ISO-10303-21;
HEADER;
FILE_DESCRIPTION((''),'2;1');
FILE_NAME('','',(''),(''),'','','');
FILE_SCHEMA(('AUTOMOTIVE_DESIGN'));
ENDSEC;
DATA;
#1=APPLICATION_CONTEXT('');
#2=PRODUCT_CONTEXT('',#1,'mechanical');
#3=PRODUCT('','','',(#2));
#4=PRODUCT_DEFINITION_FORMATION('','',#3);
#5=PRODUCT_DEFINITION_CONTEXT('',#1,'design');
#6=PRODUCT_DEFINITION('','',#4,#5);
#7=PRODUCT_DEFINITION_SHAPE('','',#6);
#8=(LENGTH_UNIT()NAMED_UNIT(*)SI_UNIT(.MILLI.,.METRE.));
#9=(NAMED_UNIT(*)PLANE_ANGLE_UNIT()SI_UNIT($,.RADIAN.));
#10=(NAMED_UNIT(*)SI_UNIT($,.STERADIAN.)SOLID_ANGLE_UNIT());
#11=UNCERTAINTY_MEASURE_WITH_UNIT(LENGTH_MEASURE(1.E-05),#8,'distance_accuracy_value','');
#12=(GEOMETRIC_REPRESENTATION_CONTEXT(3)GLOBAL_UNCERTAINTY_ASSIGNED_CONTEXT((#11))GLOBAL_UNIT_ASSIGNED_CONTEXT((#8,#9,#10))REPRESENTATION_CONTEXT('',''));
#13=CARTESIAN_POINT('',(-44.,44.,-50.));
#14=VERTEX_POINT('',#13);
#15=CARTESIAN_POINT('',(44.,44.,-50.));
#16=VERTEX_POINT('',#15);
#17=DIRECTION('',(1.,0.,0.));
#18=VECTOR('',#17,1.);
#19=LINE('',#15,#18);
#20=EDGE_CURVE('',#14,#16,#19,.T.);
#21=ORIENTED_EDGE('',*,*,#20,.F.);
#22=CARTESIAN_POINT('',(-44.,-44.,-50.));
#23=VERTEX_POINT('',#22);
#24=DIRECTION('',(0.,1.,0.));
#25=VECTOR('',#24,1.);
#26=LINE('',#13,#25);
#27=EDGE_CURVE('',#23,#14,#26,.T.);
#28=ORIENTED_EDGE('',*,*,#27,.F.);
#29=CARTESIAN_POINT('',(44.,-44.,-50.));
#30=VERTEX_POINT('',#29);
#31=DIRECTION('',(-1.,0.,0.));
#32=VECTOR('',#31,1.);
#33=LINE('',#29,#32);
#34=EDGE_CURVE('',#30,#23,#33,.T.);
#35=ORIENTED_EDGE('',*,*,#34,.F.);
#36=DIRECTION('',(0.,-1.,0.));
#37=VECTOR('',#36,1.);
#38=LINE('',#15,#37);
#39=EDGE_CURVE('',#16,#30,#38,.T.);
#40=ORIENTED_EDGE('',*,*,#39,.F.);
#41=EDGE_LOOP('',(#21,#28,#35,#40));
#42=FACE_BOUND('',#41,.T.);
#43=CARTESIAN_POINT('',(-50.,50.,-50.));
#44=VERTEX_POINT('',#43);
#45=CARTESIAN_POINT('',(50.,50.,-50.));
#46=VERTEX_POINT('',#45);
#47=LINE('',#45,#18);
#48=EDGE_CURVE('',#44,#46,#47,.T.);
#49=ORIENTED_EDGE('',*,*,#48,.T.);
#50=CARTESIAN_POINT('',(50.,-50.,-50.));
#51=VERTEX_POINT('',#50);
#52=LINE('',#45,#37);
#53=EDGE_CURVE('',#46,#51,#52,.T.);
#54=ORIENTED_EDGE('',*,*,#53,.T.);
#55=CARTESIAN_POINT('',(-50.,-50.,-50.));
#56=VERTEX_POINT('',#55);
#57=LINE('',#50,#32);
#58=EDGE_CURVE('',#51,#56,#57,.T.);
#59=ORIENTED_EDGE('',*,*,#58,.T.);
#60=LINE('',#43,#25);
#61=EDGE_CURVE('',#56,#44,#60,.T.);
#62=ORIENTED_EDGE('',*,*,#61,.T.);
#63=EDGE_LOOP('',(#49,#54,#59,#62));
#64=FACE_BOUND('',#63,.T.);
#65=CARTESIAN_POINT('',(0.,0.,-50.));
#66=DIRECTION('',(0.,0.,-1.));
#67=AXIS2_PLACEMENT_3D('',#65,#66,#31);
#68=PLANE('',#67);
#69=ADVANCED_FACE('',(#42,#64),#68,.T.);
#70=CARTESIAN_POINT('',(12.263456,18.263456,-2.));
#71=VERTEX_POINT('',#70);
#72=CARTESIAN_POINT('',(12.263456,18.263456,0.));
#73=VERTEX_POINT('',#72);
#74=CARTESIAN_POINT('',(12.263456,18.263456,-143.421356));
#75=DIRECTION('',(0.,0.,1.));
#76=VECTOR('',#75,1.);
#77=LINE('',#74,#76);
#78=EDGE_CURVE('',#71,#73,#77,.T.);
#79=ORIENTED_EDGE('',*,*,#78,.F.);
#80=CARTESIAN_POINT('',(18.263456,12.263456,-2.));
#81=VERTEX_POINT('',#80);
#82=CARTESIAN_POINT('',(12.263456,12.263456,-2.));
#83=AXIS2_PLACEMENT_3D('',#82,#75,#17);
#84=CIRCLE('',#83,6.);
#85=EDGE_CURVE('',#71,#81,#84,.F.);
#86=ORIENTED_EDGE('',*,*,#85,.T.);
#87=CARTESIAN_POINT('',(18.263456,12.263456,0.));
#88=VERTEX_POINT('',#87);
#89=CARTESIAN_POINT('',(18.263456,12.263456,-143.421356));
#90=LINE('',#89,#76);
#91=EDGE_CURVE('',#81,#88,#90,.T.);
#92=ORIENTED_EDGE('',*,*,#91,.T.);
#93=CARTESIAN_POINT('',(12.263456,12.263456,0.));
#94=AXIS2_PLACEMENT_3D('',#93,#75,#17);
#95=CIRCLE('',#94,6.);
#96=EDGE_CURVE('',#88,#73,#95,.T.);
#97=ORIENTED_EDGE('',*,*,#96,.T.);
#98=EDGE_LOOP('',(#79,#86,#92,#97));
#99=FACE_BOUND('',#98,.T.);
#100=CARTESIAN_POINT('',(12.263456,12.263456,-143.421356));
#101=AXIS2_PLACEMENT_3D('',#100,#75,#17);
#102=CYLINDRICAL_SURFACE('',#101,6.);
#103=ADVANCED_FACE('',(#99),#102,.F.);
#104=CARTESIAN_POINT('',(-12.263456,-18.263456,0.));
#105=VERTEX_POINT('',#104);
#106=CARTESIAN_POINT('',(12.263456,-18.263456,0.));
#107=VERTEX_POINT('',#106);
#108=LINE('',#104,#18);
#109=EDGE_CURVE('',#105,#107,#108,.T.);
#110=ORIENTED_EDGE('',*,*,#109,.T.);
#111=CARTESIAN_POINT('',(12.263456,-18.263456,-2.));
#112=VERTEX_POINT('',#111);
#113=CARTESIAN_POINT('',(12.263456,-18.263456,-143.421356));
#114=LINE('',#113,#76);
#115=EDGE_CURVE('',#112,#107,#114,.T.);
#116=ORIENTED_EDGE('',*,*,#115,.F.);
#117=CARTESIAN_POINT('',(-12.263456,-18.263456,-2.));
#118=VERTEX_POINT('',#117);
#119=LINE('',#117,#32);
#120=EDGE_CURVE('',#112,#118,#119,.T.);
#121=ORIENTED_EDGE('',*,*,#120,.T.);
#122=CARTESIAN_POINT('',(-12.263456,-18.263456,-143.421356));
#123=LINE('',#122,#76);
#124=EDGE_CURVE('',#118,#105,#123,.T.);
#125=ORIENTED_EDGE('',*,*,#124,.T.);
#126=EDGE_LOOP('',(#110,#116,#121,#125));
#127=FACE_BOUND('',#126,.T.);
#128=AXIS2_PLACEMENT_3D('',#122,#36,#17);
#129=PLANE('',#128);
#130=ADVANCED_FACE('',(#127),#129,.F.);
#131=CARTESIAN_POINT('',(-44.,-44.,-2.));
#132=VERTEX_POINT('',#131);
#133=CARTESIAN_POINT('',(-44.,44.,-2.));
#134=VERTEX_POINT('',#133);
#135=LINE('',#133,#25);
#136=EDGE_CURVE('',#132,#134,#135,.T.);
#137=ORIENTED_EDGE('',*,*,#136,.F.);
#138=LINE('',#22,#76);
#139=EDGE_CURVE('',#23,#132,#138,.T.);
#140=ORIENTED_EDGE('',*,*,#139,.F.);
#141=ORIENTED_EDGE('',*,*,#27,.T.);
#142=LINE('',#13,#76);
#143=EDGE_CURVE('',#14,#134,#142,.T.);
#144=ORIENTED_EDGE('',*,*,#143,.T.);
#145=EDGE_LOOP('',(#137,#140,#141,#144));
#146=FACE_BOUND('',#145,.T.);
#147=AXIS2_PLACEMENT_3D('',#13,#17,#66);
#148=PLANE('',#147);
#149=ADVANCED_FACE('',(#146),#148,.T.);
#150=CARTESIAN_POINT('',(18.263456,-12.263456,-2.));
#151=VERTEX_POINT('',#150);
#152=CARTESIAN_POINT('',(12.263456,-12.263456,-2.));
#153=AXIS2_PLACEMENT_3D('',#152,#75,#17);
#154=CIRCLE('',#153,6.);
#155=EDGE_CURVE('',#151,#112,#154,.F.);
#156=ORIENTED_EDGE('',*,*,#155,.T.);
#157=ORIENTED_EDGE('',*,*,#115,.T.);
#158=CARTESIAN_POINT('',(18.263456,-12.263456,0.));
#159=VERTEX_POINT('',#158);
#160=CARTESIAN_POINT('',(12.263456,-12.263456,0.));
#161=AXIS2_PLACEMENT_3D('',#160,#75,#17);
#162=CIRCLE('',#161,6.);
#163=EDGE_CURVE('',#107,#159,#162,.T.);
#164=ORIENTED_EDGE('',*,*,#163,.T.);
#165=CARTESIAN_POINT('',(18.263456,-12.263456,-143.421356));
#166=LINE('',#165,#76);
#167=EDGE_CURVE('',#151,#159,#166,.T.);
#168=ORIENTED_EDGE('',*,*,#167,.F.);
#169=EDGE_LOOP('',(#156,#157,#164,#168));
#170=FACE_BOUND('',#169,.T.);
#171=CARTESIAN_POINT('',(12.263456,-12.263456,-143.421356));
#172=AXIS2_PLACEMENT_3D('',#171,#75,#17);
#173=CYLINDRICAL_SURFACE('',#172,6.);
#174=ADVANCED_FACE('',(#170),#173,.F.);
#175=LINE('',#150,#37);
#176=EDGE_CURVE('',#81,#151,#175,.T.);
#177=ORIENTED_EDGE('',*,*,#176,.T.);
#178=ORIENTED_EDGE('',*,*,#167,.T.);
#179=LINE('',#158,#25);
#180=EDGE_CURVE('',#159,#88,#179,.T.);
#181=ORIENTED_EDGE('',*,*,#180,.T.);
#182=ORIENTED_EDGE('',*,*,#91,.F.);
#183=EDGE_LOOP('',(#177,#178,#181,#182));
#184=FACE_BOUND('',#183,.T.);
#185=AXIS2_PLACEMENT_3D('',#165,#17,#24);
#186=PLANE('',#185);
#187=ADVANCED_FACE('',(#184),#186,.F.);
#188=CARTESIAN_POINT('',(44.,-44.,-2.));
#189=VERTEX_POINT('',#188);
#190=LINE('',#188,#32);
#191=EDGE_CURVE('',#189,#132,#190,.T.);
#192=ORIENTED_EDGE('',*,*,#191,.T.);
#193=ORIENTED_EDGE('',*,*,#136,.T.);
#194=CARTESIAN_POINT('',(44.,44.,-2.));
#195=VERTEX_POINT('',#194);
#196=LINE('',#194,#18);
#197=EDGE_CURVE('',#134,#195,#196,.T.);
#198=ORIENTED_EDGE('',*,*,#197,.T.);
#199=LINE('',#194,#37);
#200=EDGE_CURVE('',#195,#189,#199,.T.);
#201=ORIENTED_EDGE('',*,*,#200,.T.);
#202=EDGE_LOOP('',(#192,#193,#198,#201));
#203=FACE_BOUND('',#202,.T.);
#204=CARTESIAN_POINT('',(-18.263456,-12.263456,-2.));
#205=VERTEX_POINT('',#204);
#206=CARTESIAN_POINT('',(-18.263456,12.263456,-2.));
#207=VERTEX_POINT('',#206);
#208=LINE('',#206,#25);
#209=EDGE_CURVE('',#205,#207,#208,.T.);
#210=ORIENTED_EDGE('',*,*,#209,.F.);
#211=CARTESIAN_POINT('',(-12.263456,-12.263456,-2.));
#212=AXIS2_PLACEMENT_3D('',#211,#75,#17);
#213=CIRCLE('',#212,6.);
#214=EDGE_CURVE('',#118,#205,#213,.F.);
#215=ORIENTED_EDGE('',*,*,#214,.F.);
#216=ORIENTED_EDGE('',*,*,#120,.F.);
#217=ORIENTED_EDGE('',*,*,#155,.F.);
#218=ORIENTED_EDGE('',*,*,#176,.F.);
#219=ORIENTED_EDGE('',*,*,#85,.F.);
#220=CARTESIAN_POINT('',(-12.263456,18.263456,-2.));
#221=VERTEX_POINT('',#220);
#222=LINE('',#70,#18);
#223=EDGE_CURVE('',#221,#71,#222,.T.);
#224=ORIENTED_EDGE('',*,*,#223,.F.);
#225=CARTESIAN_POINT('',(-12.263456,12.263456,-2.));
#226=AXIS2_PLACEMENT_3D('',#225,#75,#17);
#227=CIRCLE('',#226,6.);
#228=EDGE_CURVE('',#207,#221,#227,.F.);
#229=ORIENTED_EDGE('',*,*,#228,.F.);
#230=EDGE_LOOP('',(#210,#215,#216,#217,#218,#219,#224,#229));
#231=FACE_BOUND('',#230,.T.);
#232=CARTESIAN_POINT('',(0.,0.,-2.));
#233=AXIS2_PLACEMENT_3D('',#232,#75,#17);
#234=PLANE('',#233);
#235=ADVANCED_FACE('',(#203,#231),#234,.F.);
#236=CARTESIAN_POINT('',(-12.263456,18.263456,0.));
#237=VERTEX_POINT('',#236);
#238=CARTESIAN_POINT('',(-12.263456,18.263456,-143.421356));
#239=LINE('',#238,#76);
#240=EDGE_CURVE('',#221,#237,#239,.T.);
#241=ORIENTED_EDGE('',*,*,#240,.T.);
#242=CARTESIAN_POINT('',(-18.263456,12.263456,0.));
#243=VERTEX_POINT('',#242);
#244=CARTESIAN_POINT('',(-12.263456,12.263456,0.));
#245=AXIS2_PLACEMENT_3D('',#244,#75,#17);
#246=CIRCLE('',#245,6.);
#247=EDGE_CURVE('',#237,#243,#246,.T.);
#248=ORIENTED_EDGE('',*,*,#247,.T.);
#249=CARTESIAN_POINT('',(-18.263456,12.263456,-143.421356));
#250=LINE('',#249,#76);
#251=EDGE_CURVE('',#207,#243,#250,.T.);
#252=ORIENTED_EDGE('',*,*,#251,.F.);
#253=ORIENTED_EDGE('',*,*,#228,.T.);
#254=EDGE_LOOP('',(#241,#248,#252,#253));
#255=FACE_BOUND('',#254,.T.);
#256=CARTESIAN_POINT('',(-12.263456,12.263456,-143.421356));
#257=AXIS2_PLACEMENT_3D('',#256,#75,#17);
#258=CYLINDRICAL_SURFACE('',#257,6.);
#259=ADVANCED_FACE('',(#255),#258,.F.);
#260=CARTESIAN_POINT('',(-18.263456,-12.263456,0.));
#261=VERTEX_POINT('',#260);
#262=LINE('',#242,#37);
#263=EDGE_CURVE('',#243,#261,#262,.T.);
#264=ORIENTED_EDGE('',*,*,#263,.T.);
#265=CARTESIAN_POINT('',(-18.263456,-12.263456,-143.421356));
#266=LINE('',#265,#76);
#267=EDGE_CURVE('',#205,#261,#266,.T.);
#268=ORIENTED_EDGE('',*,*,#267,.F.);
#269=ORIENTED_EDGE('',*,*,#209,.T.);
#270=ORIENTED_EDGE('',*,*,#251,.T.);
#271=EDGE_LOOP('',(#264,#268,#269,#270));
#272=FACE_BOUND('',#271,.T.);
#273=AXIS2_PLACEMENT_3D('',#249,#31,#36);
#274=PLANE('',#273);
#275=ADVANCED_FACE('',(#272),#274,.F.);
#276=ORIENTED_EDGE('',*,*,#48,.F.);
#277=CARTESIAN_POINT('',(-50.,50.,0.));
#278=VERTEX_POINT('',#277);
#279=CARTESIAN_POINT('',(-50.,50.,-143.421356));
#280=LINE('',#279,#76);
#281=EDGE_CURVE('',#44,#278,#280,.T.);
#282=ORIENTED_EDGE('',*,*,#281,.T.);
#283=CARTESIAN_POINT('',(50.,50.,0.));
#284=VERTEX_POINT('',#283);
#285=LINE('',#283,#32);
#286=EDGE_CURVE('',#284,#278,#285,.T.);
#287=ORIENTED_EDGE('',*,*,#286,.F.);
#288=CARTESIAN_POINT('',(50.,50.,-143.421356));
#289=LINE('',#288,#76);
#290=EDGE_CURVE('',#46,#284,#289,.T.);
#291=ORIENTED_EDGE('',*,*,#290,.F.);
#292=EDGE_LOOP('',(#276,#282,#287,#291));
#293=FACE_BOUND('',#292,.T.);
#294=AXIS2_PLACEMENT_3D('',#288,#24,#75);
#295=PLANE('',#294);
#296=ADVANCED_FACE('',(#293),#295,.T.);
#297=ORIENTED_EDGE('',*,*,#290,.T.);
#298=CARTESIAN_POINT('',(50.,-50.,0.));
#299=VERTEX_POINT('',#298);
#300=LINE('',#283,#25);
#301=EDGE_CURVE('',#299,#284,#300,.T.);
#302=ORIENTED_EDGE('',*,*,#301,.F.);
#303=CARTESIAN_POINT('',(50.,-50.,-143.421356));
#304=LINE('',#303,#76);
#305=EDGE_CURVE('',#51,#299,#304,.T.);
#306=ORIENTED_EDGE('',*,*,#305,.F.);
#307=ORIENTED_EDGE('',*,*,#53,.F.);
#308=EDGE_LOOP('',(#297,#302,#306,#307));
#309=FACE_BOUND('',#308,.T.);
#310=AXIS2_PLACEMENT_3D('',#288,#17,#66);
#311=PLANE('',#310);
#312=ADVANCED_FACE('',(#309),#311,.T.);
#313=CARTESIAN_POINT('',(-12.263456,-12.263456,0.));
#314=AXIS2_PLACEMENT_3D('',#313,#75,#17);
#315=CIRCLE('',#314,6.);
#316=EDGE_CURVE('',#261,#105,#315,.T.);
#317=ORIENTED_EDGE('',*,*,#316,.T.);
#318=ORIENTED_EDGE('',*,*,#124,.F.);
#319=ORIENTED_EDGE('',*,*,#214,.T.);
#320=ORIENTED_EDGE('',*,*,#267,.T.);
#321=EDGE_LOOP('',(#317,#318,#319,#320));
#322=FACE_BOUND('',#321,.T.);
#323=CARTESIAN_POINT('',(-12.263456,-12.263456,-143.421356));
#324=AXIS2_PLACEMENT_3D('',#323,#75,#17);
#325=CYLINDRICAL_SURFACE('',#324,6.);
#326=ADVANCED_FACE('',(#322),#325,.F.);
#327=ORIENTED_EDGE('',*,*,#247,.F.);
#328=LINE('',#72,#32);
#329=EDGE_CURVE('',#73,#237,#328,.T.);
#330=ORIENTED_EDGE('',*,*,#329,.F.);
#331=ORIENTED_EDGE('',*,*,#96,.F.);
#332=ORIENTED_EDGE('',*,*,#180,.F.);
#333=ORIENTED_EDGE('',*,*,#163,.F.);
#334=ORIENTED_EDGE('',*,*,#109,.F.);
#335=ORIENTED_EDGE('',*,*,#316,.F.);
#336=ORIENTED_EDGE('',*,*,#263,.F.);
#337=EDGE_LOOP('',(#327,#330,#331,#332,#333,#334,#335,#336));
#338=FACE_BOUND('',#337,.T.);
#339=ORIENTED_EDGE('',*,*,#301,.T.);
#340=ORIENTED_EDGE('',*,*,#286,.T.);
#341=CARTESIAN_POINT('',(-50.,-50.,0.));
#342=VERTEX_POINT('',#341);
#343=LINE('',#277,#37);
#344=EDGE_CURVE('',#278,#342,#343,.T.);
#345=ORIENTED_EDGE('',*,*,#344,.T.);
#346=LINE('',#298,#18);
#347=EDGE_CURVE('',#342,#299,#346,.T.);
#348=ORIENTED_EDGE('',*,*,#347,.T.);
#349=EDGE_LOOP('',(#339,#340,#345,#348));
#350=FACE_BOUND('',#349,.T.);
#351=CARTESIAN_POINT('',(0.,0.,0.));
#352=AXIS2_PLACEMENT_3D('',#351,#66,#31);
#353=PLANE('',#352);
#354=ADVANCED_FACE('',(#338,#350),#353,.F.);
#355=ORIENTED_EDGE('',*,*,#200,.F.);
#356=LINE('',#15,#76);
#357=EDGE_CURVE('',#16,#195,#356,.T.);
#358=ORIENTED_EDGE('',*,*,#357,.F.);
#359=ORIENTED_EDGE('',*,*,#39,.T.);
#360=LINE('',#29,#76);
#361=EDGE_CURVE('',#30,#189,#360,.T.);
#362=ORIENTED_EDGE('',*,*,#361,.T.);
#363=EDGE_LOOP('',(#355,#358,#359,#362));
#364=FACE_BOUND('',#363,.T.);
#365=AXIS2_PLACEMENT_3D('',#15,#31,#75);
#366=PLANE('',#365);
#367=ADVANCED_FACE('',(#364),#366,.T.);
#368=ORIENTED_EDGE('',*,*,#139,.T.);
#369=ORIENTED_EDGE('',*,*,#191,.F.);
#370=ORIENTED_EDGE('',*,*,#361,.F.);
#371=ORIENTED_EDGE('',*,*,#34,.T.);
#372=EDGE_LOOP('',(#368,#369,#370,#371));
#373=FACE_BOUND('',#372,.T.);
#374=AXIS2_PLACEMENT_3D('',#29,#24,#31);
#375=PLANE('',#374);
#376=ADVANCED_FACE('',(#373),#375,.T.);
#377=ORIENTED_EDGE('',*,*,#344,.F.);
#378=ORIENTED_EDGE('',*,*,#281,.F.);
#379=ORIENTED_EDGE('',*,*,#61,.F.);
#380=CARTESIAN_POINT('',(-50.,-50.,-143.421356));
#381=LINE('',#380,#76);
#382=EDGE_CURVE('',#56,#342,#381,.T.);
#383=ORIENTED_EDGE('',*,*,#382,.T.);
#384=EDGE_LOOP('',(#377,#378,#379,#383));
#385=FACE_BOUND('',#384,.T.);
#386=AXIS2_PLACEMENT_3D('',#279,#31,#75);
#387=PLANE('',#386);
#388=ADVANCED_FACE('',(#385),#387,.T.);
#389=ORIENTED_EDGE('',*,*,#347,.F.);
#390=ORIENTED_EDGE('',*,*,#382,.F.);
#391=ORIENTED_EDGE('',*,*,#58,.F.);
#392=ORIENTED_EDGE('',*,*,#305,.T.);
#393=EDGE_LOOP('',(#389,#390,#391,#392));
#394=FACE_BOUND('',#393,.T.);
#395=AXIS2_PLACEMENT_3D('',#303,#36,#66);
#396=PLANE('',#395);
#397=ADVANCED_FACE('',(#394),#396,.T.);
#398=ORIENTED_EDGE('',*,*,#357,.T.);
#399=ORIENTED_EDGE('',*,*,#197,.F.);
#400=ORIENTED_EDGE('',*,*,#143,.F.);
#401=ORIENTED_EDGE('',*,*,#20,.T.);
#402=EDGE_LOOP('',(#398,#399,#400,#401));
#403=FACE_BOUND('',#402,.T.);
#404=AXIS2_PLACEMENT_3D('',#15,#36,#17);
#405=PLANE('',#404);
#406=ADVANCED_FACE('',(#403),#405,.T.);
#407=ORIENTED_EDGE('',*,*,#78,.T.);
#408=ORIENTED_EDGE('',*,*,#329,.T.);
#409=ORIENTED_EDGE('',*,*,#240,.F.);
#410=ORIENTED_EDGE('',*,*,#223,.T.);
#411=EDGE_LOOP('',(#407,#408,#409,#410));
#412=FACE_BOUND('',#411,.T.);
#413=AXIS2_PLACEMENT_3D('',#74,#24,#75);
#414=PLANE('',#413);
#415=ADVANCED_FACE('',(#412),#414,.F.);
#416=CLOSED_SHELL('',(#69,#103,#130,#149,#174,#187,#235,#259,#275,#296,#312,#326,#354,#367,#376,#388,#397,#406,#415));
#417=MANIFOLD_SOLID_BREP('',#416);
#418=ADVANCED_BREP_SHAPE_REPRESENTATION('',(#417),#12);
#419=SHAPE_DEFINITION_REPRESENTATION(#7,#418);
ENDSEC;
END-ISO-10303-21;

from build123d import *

# Parameters (mm, degrees)
SKETCH1_W           = 100
SKETCH1_H           = 100
BOSS_EXTRUDE1_DEPTH = 2
SKETCH2_W           = 100
SKETCH2_H           = 100
SKETCH2_W_2         = 88
SKETCH2_H_2         = 88
BOSS_EXTRUDE2_DEPTH = 48


with BuildPart() as part:
    # Sketch1 → Boss-Extrude1 (new body)
    with BuildSketch(Plane.XY):
        Rectangle(SKETCH1_W, SKETCH1_H)
        with BuildLine():
            Line((12.263455967, 18.263455967), (-12.263455967, 18.263455967))
            ThreePointArc((-12.263455967, 18.263455967), (-16.506096654, 16.506096654), (-18.263455967, 12.263455967))
            Line((-18.263455967, 12.263455967), (-18.263455967, -12.263455967))
            ThreePointArc((-18.263455967, -12.263455967), (-16.506096654, -16.506096654), (-12.263455967, -18.263455967))
            Line((-12.263455967, -18.263455967), (12.263455967, -18.263455967))
            ThreePointArc((12.263455967, -18.263455967), (16.506096654, -16.506096654), (18.263455967, -12.263455967))
            Line((18.263455967, -12.263455967), (18.263455967, 12.263455967))
            ThreePointArc((18.263455967, 12.263455967), (16.506096654, 16.506096654), (12.263455967, 18.263455967))
        make_face(mode=Mode.SUBTRACT)
    extrude(amount=-BOSS_EXTRUDE1_DEPTH)

    # Sketch2 → Boss-Extrude2 (add)
    with BuildSketch(Plane(origin=(0, 0, -2), x_dir=(-1, 0, 0), z_dir=(0, 0, -1))):
        Rectangle(SKETCH2_W, SKETCH2_H)
        Rectangle(SKETCH2_W_2, SKETCH2_H_2, mode=Mode.SUBTRACT)
    extrude(amount=BOSS_EXTRUDE2_DEPTH)


solid = part.part
